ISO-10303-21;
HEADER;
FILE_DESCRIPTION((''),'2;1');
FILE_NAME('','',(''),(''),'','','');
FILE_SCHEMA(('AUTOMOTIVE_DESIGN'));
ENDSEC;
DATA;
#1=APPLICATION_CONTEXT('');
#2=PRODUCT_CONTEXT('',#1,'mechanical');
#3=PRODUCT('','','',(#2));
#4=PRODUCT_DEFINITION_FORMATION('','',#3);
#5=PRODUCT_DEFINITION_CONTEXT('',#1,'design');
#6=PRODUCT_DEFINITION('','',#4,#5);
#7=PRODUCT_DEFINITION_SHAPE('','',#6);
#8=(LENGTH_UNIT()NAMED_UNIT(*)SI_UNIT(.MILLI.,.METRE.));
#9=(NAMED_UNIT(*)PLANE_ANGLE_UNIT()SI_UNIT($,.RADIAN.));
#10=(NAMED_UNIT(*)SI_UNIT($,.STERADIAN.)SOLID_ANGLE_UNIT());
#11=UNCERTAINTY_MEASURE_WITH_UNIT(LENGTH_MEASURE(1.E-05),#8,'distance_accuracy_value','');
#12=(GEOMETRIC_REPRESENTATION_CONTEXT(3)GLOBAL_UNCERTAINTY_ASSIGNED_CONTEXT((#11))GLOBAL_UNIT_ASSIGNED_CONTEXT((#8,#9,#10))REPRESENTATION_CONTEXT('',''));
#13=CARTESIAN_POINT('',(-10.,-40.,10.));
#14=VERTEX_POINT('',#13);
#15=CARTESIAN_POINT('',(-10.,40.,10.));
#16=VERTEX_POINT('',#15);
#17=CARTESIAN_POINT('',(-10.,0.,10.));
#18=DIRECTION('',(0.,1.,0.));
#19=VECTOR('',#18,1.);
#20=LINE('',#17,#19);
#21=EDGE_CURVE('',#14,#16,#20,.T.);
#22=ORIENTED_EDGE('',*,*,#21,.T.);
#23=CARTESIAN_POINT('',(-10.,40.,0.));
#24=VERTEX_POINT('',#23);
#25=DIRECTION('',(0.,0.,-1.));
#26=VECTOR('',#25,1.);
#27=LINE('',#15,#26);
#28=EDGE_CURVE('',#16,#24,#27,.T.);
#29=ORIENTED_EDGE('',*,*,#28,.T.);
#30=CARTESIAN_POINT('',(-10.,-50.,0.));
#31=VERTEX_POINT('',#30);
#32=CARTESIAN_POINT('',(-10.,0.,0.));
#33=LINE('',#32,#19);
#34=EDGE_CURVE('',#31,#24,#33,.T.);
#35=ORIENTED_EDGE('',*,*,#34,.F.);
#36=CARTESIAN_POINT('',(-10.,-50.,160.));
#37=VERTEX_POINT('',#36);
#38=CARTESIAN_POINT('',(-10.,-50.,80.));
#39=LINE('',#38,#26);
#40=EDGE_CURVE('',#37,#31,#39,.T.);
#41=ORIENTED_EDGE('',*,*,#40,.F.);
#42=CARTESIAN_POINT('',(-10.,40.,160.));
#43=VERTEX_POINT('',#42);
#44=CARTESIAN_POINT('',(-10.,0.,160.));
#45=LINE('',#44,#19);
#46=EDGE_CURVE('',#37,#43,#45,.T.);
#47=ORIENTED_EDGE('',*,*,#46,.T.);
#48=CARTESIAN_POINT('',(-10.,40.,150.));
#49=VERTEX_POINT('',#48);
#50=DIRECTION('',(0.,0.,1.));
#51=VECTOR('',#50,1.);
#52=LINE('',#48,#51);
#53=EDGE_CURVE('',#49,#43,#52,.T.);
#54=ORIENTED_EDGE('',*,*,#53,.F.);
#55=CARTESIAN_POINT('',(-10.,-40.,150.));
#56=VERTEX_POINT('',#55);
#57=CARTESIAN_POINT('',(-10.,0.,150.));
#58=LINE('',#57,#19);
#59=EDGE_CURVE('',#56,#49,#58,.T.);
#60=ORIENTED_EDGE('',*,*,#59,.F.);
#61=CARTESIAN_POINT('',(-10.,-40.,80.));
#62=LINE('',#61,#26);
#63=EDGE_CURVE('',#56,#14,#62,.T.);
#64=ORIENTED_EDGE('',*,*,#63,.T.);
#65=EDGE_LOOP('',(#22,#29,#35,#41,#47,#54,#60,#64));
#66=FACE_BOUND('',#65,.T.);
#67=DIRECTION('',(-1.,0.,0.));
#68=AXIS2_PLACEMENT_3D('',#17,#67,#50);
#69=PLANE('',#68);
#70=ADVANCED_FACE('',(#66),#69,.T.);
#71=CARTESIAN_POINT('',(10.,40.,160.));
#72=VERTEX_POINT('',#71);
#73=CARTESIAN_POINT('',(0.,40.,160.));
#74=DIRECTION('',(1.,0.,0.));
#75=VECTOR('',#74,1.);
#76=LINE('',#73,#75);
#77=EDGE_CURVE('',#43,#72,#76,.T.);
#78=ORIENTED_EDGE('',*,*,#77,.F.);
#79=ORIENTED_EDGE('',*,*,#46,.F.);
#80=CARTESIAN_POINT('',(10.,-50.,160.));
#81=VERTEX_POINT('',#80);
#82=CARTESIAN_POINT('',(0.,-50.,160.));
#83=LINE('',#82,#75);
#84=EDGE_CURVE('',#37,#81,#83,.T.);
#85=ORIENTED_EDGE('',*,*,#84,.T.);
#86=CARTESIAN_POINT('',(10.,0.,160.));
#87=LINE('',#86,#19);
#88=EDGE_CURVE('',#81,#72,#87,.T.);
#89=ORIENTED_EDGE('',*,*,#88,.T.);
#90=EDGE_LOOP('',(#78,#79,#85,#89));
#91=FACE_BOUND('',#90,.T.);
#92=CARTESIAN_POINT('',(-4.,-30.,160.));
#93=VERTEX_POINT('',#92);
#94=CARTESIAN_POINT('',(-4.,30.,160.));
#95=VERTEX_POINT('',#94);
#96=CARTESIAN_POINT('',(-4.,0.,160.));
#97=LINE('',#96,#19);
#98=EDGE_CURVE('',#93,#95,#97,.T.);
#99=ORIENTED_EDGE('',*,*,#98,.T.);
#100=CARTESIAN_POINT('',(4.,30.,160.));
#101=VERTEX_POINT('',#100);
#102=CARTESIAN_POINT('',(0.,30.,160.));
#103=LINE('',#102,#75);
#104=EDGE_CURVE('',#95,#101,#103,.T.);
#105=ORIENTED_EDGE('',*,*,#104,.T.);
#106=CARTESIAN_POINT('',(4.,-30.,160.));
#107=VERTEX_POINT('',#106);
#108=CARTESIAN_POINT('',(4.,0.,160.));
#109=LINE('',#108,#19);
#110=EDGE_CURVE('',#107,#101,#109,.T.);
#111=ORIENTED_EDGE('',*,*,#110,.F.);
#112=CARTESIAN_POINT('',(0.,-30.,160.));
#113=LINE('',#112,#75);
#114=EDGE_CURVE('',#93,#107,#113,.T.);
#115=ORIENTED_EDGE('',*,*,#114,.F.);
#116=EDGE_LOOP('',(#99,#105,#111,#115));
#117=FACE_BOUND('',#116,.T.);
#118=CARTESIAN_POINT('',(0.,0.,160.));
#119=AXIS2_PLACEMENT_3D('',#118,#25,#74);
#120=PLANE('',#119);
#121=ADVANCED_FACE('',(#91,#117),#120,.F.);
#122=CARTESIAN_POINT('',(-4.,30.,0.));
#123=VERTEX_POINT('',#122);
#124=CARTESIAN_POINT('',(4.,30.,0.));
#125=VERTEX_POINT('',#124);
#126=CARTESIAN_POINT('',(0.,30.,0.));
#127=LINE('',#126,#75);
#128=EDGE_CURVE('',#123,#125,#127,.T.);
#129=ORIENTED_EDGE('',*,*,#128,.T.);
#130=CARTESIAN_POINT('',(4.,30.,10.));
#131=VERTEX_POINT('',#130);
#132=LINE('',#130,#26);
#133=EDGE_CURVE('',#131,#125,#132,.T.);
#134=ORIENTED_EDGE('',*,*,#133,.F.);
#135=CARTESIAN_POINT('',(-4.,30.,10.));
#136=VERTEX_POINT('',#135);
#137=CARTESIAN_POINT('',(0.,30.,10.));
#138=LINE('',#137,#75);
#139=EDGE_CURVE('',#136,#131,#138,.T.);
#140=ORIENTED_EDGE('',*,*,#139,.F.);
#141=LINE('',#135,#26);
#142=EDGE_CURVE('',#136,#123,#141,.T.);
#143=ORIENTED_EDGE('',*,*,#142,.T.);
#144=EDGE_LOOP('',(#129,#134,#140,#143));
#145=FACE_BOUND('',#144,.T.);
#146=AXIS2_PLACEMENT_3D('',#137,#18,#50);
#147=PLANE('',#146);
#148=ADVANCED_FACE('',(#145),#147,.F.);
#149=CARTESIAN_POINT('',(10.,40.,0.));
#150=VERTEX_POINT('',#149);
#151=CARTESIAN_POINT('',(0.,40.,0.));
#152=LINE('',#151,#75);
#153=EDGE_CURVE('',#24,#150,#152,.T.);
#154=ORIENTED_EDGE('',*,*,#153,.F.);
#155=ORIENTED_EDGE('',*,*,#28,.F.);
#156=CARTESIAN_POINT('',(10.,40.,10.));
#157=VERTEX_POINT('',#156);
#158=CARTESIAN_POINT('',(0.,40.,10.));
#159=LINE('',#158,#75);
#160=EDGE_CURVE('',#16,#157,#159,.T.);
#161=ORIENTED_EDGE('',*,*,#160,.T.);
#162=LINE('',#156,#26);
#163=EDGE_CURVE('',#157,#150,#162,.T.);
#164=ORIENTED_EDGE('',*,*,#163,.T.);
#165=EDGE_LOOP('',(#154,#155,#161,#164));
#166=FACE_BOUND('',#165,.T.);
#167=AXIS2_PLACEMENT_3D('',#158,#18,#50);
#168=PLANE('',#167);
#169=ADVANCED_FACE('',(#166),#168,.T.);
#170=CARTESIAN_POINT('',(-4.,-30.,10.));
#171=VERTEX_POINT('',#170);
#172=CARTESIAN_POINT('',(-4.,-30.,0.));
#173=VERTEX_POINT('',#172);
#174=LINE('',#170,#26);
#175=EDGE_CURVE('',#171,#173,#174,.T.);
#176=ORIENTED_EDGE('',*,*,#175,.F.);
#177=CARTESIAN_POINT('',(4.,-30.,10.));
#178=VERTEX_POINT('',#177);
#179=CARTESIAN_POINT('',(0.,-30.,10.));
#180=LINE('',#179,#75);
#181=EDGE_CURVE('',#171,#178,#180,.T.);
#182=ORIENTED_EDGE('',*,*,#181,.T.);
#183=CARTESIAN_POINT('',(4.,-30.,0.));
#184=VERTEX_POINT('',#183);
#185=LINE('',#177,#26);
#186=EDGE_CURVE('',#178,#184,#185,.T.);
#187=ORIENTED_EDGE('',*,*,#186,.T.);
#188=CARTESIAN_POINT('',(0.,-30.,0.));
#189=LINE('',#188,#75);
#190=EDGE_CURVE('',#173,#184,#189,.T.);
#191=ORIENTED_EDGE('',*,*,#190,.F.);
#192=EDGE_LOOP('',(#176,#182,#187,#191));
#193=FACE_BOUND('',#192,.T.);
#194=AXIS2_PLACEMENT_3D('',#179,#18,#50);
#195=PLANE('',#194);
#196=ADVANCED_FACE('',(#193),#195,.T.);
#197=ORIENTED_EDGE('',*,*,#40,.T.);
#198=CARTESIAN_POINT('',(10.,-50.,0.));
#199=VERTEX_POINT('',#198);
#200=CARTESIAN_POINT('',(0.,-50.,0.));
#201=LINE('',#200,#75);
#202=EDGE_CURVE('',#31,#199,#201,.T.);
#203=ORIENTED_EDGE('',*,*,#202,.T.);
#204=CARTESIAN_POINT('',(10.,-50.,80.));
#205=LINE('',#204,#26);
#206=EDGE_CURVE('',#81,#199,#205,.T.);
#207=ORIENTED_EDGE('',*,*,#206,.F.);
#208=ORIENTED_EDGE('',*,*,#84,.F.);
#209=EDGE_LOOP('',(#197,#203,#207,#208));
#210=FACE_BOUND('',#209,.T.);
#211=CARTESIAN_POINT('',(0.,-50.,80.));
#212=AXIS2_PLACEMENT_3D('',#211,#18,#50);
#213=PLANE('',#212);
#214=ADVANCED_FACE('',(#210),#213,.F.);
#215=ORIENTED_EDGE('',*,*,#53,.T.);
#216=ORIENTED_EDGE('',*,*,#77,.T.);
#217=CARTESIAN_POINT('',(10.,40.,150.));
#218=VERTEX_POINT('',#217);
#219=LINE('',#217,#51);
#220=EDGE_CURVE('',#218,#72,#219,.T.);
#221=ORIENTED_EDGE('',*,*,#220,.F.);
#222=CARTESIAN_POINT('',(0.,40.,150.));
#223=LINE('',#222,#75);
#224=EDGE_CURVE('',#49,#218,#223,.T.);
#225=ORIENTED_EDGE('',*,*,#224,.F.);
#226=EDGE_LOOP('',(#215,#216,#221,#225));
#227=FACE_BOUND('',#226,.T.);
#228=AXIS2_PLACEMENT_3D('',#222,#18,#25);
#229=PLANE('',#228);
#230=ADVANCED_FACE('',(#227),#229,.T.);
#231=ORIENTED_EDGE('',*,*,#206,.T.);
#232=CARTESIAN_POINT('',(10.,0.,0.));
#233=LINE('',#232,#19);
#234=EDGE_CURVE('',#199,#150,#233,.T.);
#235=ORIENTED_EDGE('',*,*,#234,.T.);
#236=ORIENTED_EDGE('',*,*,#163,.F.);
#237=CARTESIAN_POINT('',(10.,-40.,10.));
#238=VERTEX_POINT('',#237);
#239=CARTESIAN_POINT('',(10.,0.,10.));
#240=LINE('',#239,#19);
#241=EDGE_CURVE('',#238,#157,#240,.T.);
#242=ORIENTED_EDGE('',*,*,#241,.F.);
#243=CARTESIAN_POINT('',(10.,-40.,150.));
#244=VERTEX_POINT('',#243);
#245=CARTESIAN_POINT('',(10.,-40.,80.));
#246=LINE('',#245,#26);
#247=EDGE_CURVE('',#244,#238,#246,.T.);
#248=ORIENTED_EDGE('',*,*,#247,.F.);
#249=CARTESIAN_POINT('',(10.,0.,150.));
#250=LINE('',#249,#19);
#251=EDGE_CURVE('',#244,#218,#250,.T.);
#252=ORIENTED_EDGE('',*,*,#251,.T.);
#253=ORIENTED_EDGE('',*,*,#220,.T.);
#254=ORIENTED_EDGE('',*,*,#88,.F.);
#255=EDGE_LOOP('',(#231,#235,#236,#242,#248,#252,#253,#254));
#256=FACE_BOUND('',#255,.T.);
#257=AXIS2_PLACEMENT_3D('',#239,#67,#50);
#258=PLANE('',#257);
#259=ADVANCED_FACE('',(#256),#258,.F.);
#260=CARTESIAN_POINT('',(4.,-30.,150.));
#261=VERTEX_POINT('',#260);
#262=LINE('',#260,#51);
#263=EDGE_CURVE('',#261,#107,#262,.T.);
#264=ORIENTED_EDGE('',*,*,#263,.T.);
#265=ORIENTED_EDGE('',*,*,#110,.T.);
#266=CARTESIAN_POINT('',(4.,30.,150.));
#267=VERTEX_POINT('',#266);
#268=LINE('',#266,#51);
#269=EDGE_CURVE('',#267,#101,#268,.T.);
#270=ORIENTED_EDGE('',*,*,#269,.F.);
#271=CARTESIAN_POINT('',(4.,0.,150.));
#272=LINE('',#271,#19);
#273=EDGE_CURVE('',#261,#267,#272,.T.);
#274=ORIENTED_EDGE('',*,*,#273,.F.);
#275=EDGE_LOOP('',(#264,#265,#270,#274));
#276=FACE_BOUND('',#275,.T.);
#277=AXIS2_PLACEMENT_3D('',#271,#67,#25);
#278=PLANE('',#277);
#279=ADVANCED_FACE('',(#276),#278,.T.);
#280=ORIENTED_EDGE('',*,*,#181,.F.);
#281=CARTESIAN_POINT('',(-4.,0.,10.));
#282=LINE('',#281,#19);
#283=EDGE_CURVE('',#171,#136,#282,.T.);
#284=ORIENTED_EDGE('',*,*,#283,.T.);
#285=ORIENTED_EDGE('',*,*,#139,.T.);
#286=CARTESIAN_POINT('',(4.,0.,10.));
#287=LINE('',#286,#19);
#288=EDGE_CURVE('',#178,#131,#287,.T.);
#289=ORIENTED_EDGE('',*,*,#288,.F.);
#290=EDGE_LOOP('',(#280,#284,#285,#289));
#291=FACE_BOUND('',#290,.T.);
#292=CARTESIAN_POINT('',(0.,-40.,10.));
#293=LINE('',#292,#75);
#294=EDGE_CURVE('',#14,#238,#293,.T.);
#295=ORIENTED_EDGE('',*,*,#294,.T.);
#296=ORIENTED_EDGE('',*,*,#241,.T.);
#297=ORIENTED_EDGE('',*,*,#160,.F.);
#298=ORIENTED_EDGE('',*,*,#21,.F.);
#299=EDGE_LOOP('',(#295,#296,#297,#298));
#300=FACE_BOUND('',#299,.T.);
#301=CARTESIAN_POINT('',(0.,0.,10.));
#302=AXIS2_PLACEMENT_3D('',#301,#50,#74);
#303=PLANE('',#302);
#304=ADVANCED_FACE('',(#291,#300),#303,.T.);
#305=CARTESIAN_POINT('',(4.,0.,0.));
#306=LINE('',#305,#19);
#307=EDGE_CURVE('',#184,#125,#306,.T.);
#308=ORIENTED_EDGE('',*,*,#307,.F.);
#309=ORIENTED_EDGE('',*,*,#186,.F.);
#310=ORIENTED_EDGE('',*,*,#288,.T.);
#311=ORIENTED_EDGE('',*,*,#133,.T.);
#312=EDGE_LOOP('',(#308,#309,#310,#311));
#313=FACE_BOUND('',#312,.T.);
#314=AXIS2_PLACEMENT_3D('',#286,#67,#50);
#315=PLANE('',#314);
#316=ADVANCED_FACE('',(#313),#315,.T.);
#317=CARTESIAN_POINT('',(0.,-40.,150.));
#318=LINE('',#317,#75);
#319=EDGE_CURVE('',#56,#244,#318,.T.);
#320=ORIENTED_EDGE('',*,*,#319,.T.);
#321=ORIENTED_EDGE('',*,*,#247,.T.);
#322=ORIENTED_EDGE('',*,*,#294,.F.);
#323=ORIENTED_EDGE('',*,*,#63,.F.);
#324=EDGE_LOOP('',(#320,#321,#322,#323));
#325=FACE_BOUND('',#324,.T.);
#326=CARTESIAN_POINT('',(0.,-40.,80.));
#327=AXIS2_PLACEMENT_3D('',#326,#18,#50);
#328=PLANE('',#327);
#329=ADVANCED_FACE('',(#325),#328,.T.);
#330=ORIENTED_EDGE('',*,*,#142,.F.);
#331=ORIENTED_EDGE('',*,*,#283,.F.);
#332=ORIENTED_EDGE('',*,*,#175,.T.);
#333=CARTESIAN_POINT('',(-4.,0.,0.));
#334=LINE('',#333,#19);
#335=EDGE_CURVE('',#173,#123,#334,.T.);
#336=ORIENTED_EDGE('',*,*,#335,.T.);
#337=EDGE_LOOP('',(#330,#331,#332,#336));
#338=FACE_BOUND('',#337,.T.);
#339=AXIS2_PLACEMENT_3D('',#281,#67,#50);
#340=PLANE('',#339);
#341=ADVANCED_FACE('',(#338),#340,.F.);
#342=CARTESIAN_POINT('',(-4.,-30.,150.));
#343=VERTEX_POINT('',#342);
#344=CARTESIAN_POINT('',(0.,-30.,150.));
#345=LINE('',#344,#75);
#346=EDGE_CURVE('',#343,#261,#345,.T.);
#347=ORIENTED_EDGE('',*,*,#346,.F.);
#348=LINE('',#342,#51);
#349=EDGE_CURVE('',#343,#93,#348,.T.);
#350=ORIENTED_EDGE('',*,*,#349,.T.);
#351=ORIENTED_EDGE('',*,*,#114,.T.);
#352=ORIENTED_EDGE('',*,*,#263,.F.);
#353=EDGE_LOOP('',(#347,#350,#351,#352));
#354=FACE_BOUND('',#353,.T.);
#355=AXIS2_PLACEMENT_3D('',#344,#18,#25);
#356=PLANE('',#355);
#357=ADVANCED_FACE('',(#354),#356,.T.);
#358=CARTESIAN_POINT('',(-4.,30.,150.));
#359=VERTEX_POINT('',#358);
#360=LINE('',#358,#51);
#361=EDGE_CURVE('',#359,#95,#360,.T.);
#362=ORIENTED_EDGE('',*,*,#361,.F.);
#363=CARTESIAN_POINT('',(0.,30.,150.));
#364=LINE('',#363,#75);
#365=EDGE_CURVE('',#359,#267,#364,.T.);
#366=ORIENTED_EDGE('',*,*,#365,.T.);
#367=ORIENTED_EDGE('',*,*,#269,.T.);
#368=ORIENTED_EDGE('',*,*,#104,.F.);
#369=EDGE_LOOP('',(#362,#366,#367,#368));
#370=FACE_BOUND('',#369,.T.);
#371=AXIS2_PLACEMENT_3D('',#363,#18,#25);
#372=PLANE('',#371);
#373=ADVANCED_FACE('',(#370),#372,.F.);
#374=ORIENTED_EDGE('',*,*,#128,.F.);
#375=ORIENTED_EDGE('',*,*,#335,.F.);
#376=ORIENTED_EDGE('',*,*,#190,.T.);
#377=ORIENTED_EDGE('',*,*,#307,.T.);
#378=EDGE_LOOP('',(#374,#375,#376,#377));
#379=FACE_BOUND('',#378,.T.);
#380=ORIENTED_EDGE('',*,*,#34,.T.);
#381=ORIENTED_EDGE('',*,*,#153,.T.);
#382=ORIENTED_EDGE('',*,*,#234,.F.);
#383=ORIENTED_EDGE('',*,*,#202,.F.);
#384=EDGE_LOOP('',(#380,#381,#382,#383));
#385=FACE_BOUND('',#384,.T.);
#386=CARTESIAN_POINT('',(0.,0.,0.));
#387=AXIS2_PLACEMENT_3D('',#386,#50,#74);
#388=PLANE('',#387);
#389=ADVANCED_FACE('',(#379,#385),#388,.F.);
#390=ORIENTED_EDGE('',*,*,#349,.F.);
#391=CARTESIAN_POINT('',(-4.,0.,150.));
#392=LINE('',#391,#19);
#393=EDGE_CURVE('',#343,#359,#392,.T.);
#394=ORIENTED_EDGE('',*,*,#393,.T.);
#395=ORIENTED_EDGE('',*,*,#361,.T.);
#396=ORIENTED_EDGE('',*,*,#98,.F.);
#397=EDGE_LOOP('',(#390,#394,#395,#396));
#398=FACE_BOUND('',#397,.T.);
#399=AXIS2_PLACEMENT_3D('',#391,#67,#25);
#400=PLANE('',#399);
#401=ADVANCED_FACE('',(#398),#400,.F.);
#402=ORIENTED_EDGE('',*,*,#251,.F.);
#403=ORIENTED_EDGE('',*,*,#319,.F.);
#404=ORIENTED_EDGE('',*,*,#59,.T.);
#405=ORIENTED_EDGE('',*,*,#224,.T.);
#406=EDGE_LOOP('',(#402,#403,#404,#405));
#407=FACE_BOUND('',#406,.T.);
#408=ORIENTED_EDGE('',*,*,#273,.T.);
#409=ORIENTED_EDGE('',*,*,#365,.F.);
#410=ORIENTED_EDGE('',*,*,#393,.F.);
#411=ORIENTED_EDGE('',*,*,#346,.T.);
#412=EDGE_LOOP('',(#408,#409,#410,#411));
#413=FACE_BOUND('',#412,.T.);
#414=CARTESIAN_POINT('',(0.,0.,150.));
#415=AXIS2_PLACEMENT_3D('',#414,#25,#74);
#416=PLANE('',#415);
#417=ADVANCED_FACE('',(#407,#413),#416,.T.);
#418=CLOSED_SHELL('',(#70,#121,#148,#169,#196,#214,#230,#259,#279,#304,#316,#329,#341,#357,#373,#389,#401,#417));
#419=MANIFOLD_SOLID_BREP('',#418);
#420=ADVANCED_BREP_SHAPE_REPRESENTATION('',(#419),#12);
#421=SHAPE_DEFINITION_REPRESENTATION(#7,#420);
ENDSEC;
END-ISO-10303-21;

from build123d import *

# Parameters (mm, degrees)
ESBO_O1_W                = 20
ESBO_O1_H                = 80
ESBO_O1_W_2              = 8
ESBO_O1_H_2              = 60
RESSALTO_EXTRUS_O1_DEPTH = 10
ESBO_O1_4_W              = 20
ESBO_O1_4_H              = 10
RESSALTO_EXTRUS_O3_DEPTH = 80


with BuildPart() as part:
    # Esboço1 → Ressalto-extrusão1 (new body)
    with BuildSketch(Plane.XY):
        Rectangle(ESBO_O1_W, ESBO_O1_H)
        Rectangle(ESBO_O1_W_2, ESBO_O1_H_2, mode=Mode.SUBTRACT)
    ressalto_extrus_o1 = extrude(amount=RESSALTO_EXTRUS_O1_DEPTH)

    # Esboço1<4> → Ressalto-extrusão3 (add)
    with BuildSketch(Plane.XY):
        with Locations((0, -45)):
            Rectangle(ESBO_O1_4_W, ESBO_O1_4_H)
    ressalto_extrus_o3 = extrude(amount=RESSALTO_EXTRUS_O3_DEPTH)

    # Espelhar2: Ressalto-extrusão1, Ressalto-extrusão3 across plane
    add(ressalto_extrus_o1.mirror(Plane.XY.offset(80)))
    add(ressalto_extrus_o3.mirror(Plane.XY.offset(80)))


solid = part.part
